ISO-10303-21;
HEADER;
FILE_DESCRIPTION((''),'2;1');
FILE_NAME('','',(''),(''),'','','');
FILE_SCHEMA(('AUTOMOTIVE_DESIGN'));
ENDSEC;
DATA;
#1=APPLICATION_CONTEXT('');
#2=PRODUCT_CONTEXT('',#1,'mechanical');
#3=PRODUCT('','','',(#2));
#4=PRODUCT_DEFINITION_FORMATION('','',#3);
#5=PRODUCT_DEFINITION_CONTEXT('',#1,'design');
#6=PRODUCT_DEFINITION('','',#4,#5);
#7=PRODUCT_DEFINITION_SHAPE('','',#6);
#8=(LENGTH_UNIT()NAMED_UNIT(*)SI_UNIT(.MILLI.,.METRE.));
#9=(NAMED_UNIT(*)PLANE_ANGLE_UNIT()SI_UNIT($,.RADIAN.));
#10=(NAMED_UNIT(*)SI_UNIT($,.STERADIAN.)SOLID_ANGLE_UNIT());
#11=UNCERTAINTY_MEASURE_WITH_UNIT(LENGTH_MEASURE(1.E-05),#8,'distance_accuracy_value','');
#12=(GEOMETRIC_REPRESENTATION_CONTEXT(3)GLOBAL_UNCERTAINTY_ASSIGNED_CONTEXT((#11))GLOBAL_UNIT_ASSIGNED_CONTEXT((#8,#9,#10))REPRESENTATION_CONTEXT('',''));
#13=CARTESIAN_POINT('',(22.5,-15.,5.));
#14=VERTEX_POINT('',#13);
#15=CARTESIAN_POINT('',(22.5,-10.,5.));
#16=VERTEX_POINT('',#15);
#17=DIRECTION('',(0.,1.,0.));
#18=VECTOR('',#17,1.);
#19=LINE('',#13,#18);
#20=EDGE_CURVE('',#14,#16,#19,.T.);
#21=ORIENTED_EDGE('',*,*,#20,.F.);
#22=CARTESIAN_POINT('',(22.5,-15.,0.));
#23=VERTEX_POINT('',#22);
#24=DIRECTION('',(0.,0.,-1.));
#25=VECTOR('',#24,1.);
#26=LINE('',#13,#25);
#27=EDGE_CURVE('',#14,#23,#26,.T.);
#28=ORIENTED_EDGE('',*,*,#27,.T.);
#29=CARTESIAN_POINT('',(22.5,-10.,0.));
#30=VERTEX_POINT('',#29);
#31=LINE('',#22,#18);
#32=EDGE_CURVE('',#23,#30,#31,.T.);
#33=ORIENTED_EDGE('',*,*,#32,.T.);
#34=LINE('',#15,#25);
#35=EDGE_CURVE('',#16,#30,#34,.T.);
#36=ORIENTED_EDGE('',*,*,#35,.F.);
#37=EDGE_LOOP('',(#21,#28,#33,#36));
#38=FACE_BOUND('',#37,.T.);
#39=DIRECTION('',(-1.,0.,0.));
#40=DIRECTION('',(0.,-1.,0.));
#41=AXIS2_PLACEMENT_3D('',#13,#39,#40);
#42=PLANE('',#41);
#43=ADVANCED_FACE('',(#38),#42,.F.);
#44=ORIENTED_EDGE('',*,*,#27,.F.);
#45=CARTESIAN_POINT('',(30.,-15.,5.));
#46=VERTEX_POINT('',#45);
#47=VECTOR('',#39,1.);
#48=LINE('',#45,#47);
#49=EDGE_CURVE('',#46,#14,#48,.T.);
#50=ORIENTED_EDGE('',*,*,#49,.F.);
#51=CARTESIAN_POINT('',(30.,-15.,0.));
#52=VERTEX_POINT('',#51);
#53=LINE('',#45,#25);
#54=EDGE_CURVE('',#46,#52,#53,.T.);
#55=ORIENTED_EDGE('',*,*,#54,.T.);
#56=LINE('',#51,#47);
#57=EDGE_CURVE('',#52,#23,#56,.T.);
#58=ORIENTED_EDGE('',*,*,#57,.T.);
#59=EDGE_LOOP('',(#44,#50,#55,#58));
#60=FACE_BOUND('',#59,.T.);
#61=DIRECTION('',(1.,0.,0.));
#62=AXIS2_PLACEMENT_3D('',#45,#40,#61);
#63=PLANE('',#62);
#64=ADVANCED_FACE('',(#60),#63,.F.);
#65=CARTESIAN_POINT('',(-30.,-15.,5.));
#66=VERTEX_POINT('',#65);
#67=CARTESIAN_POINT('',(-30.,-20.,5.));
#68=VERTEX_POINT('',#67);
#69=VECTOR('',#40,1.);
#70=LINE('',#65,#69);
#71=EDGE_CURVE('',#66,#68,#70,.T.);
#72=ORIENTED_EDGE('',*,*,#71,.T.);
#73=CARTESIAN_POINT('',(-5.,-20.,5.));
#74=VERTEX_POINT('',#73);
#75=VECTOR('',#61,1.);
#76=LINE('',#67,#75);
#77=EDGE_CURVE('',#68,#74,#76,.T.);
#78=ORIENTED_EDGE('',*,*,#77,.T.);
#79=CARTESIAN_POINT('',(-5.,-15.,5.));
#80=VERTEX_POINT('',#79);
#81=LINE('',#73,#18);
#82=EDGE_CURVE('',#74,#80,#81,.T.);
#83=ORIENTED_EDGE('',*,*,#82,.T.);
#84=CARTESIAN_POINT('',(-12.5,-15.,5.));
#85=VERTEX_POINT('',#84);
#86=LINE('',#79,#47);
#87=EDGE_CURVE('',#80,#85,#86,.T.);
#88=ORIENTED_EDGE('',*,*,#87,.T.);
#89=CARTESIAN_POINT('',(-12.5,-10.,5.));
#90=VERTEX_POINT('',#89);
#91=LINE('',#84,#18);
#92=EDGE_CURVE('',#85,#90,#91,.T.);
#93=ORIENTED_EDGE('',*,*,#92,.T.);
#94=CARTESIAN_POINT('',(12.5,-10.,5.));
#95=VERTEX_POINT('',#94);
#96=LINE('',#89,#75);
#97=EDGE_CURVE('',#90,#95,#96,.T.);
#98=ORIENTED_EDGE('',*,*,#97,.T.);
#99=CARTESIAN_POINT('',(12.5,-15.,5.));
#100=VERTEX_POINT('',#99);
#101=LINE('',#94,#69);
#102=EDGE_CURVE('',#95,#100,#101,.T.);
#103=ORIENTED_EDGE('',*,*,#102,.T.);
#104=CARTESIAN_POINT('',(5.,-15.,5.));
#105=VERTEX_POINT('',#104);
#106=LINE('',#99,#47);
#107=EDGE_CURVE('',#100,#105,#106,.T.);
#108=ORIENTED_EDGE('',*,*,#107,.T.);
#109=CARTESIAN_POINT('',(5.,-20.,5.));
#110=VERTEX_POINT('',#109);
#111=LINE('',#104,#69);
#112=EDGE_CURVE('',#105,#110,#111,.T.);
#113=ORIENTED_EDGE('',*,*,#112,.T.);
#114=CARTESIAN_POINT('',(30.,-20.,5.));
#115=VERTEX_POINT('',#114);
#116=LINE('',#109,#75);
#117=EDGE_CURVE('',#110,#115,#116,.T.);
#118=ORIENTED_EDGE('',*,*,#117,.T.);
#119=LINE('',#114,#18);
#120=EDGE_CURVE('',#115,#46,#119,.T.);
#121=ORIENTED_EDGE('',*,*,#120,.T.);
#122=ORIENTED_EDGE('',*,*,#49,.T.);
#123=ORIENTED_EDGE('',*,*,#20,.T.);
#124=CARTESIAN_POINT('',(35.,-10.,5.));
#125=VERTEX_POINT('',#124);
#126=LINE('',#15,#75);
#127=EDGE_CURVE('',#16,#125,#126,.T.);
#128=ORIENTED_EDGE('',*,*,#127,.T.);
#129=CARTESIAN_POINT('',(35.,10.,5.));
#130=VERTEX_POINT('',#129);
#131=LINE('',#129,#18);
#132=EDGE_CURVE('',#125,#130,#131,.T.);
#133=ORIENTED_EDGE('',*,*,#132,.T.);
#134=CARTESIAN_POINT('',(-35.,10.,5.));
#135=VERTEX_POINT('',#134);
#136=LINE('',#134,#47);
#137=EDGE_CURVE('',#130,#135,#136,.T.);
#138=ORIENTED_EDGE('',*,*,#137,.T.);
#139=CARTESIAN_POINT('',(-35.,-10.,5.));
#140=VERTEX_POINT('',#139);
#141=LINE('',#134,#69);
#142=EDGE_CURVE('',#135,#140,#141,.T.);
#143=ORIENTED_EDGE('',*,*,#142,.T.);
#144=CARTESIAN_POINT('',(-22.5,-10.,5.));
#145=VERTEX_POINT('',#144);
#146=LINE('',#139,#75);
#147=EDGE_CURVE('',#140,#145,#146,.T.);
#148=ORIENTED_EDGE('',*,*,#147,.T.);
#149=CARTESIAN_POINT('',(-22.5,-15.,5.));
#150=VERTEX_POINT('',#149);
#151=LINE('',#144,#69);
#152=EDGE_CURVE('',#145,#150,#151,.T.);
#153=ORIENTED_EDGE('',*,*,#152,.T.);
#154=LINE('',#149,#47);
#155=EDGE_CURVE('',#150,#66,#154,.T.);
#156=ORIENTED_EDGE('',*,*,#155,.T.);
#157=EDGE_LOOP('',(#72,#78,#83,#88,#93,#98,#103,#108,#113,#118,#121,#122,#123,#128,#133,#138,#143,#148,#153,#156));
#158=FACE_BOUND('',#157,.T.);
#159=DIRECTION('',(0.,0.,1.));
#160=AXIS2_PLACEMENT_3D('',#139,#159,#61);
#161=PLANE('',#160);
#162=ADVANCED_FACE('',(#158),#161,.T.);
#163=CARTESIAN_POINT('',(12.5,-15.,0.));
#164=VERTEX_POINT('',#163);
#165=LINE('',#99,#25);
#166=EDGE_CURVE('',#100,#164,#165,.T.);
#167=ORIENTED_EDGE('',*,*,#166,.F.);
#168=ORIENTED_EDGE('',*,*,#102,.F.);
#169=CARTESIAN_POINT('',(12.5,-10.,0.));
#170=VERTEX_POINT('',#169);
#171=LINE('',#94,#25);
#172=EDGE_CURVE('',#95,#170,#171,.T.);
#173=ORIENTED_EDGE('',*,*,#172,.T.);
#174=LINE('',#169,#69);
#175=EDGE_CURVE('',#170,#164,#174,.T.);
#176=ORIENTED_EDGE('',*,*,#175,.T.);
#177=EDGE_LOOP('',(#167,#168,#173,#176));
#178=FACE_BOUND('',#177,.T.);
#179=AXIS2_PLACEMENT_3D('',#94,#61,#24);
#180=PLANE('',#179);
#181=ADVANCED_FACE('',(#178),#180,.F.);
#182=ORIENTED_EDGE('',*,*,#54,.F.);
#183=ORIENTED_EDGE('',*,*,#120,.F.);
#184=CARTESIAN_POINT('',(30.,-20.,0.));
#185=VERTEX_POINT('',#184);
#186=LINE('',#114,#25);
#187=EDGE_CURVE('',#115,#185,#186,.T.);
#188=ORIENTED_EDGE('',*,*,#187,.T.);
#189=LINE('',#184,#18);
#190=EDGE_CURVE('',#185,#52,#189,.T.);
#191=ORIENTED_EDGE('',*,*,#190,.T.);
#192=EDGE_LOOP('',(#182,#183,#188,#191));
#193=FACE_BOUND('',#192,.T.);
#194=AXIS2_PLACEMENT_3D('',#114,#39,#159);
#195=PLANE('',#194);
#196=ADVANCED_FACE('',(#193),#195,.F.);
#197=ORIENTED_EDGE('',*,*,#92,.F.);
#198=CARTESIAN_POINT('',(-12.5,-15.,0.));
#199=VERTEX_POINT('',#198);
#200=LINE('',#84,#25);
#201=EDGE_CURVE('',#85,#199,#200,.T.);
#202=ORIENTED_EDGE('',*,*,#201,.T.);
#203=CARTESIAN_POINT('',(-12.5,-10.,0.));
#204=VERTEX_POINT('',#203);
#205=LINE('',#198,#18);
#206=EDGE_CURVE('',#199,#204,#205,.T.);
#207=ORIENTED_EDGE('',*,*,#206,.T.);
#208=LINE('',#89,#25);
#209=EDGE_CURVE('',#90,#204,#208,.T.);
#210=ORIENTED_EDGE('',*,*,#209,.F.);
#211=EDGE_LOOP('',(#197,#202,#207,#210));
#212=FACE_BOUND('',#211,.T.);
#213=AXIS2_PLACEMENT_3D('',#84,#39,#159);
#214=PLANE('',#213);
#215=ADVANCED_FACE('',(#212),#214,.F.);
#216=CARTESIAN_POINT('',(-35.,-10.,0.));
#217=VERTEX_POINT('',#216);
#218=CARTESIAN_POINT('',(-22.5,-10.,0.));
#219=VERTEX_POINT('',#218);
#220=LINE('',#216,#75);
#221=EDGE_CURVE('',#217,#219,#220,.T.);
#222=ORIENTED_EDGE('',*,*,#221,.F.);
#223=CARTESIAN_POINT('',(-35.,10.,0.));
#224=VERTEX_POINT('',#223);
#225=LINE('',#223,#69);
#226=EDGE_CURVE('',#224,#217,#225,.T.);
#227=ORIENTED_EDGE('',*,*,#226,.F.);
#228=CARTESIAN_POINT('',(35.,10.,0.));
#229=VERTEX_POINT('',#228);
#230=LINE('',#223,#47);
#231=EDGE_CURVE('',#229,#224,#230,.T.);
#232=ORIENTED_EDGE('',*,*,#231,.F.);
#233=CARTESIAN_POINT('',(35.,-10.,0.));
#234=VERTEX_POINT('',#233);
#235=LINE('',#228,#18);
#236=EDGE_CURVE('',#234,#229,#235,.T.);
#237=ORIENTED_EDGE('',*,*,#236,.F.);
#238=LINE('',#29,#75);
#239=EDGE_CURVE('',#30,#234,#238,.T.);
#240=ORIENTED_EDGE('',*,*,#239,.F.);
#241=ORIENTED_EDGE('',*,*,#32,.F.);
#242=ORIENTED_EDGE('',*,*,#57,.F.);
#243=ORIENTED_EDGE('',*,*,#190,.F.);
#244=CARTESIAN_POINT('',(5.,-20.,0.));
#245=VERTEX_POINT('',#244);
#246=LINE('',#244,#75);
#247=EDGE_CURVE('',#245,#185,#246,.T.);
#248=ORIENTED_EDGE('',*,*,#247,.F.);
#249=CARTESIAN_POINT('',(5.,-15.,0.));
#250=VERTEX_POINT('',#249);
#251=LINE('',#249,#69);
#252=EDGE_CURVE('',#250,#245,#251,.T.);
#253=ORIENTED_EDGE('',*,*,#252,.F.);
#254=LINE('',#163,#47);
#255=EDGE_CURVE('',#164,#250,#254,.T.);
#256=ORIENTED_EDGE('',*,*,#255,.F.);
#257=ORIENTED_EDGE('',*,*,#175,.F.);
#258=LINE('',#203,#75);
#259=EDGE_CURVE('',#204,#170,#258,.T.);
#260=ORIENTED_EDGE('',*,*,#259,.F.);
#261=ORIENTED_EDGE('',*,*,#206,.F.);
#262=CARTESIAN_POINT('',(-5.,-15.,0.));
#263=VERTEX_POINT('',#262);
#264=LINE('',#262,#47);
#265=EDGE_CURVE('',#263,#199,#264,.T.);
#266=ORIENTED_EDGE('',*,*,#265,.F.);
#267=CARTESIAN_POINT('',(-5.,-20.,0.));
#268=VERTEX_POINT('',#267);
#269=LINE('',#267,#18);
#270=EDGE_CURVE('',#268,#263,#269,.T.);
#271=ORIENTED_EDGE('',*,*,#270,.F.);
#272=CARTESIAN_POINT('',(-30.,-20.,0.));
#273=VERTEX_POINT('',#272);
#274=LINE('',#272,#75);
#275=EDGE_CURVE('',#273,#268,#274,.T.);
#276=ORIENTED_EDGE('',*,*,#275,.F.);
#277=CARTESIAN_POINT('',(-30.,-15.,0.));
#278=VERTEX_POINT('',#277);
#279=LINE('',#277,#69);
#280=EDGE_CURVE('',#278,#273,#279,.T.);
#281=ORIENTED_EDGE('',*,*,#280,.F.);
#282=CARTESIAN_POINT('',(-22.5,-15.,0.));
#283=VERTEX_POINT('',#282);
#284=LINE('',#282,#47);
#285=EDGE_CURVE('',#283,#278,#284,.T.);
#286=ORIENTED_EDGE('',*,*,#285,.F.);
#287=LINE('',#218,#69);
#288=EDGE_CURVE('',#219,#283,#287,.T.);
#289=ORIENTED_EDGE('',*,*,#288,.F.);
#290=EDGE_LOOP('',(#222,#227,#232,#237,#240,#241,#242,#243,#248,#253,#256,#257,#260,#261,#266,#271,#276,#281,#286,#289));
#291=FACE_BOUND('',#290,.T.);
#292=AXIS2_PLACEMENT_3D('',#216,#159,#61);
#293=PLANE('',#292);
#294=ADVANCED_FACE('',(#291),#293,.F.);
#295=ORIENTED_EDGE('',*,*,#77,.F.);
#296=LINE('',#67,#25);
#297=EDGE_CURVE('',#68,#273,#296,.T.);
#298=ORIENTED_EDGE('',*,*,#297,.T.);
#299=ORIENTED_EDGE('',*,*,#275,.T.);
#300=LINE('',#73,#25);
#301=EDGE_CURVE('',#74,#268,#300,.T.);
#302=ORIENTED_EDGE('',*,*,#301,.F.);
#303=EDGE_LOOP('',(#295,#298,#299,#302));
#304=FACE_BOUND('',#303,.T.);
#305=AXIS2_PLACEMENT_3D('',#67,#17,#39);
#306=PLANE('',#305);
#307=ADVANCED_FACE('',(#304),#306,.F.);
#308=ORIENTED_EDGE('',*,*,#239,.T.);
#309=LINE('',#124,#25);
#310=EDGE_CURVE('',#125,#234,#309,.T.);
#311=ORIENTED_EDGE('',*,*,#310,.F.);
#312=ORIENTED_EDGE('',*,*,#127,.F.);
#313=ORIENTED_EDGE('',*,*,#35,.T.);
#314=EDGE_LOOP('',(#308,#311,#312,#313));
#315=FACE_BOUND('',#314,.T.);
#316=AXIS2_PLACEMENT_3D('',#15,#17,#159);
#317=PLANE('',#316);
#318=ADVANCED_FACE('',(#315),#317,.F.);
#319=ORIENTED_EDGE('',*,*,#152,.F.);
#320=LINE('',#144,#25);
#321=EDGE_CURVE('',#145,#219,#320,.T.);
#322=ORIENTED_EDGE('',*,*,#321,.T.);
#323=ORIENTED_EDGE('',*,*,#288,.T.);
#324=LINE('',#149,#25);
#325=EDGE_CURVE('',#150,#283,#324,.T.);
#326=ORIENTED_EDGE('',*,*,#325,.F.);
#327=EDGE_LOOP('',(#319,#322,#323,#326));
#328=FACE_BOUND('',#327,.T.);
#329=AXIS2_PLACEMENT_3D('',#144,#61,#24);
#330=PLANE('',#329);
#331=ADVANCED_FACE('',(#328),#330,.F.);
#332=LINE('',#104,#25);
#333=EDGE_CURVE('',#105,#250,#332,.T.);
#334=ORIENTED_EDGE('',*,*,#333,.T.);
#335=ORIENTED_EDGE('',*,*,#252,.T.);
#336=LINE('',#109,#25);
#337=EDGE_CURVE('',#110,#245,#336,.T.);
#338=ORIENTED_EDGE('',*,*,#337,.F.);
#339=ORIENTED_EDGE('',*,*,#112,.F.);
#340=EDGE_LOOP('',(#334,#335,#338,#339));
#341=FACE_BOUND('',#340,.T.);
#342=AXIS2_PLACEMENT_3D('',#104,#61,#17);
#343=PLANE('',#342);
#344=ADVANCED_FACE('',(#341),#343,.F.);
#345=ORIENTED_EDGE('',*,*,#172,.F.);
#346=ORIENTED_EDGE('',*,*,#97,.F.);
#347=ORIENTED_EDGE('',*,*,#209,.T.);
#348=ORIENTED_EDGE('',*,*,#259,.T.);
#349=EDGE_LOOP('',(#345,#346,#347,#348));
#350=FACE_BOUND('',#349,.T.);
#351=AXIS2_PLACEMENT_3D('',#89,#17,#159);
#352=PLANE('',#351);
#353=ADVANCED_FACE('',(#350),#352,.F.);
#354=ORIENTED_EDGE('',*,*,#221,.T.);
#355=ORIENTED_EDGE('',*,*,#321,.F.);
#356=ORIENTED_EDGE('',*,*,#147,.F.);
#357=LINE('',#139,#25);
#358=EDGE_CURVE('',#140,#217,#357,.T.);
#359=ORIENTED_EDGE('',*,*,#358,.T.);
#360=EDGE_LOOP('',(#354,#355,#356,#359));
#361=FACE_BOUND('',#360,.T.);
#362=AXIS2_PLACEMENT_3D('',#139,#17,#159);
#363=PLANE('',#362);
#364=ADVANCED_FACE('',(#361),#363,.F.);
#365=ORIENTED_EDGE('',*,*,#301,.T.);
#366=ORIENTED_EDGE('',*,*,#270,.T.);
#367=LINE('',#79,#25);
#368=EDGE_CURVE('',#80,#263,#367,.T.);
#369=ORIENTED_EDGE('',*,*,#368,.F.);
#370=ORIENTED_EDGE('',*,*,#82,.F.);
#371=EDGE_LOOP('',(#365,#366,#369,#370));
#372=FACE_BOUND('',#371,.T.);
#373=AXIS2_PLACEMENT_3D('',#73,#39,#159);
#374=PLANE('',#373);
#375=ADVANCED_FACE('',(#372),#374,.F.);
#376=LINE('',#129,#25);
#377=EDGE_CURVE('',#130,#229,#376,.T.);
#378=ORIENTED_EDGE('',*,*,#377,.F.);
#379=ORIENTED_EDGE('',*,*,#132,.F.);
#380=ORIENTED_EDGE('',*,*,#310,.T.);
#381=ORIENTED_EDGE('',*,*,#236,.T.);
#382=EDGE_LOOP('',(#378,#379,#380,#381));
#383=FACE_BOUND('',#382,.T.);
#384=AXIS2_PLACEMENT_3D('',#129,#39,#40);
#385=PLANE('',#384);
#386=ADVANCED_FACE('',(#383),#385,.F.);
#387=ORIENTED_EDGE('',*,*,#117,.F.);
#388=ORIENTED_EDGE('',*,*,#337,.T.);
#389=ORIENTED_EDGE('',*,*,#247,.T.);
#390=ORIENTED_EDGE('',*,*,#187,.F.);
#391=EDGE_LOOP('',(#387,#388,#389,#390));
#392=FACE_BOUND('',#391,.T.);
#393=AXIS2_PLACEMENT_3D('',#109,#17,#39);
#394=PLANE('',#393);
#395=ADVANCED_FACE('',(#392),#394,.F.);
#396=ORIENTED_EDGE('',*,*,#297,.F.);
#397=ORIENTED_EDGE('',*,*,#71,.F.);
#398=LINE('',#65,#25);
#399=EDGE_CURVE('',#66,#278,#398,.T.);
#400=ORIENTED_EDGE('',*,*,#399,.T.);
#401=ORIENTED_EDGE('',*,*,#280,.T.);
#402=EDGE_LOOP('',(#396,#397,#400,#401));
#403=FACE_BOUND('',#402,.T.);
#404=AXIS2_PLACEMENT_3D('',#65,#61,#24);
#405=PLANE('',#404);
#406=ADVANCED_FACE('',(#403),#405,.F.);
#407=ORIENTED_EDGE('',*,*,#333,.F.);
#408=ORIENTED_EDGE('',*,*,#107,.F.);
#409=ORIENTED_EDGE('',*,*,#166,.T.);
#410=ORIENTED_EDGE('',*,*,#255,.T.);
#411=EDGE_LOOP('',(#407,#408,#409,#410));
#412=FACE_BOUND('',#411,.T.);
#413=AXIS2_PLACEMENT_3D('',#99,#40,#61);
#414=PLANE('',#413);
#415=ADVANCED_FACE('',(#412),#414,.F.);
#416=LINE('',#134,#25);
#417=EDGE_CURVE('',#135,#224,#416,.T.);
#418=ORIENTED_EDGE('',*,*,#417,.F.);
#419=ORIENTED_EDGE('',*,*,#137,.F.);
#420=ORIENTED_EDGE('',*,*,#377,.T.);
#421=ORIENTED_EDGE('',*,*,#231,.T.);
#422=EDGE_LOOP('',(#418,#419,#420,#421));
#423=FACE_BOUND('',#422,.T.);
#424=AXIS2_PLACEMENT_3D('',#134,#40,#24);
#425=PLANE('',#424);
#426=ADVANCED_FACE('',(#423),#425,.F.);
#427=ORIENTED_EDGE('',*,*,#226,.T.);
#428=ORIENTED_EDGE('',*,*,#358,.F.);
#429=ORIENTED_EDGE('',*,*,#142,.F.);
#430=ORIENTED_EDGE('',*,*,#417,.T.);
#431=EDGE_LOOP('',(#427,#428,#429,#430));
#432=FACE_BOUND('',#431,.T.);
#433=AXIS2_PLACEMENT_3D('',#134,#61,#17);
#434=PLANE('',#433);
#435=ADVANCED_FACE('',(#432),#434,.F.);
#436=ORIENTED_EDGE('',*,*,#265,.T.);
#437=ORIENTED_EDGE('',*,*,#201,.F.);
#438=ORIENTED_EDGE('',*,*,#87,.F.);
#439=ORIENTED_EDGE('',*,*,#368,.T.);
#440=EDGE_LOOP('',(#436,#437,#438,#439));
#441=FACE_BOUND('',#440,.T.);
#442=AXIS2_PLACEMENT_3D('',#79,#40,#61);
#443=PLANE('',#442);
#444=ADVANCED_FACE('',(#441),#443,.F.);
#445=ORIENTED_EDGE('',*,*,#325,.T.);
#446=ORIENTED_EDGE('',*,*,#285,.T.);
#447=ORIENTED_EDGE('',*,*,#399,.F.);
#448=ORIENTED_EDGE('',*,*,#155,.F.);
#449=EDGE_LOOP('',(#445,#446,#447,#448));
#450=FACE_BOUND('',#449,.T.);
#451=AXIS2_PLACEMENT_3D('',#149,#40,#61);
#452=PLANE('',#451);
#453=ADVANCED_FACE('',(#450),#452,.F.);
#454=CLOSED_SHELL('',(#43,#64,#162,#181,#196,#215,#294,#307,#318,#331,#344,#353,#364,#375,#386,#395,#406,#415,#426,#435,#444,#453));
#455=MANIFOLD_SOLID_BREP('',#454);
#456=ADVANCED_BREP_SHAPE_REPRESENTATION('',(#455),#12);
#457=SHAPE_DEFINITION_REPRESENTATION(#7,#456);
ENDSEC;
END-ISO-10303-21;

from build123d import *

# Parameters (mm, degrees)
BOSS_EXTRU_1_DEPTH = 5


with BuildPart() as part:
    # Esquisse1 → Boss.-Extru.1 (new body)
    with BuildSketch(Plane.XY):
        Polygon((-35, -10), (-22.5, -10), (-22.5, -15), (-30, -15), (-30, -20), (-5, -20), (-5, -15), (-12.5, -15), (-12.5, -10), (12.5, -10), (12.5, -15), (5, -15), (5, -20), (30, -20), (30, -15), (22.5, -15), (22.5, -10), (35, -10), (35, 10), (-35, 10), align=None)
    extrude(amount=BOSS_EXTRU_1_DEPTH)


solid = part.part
